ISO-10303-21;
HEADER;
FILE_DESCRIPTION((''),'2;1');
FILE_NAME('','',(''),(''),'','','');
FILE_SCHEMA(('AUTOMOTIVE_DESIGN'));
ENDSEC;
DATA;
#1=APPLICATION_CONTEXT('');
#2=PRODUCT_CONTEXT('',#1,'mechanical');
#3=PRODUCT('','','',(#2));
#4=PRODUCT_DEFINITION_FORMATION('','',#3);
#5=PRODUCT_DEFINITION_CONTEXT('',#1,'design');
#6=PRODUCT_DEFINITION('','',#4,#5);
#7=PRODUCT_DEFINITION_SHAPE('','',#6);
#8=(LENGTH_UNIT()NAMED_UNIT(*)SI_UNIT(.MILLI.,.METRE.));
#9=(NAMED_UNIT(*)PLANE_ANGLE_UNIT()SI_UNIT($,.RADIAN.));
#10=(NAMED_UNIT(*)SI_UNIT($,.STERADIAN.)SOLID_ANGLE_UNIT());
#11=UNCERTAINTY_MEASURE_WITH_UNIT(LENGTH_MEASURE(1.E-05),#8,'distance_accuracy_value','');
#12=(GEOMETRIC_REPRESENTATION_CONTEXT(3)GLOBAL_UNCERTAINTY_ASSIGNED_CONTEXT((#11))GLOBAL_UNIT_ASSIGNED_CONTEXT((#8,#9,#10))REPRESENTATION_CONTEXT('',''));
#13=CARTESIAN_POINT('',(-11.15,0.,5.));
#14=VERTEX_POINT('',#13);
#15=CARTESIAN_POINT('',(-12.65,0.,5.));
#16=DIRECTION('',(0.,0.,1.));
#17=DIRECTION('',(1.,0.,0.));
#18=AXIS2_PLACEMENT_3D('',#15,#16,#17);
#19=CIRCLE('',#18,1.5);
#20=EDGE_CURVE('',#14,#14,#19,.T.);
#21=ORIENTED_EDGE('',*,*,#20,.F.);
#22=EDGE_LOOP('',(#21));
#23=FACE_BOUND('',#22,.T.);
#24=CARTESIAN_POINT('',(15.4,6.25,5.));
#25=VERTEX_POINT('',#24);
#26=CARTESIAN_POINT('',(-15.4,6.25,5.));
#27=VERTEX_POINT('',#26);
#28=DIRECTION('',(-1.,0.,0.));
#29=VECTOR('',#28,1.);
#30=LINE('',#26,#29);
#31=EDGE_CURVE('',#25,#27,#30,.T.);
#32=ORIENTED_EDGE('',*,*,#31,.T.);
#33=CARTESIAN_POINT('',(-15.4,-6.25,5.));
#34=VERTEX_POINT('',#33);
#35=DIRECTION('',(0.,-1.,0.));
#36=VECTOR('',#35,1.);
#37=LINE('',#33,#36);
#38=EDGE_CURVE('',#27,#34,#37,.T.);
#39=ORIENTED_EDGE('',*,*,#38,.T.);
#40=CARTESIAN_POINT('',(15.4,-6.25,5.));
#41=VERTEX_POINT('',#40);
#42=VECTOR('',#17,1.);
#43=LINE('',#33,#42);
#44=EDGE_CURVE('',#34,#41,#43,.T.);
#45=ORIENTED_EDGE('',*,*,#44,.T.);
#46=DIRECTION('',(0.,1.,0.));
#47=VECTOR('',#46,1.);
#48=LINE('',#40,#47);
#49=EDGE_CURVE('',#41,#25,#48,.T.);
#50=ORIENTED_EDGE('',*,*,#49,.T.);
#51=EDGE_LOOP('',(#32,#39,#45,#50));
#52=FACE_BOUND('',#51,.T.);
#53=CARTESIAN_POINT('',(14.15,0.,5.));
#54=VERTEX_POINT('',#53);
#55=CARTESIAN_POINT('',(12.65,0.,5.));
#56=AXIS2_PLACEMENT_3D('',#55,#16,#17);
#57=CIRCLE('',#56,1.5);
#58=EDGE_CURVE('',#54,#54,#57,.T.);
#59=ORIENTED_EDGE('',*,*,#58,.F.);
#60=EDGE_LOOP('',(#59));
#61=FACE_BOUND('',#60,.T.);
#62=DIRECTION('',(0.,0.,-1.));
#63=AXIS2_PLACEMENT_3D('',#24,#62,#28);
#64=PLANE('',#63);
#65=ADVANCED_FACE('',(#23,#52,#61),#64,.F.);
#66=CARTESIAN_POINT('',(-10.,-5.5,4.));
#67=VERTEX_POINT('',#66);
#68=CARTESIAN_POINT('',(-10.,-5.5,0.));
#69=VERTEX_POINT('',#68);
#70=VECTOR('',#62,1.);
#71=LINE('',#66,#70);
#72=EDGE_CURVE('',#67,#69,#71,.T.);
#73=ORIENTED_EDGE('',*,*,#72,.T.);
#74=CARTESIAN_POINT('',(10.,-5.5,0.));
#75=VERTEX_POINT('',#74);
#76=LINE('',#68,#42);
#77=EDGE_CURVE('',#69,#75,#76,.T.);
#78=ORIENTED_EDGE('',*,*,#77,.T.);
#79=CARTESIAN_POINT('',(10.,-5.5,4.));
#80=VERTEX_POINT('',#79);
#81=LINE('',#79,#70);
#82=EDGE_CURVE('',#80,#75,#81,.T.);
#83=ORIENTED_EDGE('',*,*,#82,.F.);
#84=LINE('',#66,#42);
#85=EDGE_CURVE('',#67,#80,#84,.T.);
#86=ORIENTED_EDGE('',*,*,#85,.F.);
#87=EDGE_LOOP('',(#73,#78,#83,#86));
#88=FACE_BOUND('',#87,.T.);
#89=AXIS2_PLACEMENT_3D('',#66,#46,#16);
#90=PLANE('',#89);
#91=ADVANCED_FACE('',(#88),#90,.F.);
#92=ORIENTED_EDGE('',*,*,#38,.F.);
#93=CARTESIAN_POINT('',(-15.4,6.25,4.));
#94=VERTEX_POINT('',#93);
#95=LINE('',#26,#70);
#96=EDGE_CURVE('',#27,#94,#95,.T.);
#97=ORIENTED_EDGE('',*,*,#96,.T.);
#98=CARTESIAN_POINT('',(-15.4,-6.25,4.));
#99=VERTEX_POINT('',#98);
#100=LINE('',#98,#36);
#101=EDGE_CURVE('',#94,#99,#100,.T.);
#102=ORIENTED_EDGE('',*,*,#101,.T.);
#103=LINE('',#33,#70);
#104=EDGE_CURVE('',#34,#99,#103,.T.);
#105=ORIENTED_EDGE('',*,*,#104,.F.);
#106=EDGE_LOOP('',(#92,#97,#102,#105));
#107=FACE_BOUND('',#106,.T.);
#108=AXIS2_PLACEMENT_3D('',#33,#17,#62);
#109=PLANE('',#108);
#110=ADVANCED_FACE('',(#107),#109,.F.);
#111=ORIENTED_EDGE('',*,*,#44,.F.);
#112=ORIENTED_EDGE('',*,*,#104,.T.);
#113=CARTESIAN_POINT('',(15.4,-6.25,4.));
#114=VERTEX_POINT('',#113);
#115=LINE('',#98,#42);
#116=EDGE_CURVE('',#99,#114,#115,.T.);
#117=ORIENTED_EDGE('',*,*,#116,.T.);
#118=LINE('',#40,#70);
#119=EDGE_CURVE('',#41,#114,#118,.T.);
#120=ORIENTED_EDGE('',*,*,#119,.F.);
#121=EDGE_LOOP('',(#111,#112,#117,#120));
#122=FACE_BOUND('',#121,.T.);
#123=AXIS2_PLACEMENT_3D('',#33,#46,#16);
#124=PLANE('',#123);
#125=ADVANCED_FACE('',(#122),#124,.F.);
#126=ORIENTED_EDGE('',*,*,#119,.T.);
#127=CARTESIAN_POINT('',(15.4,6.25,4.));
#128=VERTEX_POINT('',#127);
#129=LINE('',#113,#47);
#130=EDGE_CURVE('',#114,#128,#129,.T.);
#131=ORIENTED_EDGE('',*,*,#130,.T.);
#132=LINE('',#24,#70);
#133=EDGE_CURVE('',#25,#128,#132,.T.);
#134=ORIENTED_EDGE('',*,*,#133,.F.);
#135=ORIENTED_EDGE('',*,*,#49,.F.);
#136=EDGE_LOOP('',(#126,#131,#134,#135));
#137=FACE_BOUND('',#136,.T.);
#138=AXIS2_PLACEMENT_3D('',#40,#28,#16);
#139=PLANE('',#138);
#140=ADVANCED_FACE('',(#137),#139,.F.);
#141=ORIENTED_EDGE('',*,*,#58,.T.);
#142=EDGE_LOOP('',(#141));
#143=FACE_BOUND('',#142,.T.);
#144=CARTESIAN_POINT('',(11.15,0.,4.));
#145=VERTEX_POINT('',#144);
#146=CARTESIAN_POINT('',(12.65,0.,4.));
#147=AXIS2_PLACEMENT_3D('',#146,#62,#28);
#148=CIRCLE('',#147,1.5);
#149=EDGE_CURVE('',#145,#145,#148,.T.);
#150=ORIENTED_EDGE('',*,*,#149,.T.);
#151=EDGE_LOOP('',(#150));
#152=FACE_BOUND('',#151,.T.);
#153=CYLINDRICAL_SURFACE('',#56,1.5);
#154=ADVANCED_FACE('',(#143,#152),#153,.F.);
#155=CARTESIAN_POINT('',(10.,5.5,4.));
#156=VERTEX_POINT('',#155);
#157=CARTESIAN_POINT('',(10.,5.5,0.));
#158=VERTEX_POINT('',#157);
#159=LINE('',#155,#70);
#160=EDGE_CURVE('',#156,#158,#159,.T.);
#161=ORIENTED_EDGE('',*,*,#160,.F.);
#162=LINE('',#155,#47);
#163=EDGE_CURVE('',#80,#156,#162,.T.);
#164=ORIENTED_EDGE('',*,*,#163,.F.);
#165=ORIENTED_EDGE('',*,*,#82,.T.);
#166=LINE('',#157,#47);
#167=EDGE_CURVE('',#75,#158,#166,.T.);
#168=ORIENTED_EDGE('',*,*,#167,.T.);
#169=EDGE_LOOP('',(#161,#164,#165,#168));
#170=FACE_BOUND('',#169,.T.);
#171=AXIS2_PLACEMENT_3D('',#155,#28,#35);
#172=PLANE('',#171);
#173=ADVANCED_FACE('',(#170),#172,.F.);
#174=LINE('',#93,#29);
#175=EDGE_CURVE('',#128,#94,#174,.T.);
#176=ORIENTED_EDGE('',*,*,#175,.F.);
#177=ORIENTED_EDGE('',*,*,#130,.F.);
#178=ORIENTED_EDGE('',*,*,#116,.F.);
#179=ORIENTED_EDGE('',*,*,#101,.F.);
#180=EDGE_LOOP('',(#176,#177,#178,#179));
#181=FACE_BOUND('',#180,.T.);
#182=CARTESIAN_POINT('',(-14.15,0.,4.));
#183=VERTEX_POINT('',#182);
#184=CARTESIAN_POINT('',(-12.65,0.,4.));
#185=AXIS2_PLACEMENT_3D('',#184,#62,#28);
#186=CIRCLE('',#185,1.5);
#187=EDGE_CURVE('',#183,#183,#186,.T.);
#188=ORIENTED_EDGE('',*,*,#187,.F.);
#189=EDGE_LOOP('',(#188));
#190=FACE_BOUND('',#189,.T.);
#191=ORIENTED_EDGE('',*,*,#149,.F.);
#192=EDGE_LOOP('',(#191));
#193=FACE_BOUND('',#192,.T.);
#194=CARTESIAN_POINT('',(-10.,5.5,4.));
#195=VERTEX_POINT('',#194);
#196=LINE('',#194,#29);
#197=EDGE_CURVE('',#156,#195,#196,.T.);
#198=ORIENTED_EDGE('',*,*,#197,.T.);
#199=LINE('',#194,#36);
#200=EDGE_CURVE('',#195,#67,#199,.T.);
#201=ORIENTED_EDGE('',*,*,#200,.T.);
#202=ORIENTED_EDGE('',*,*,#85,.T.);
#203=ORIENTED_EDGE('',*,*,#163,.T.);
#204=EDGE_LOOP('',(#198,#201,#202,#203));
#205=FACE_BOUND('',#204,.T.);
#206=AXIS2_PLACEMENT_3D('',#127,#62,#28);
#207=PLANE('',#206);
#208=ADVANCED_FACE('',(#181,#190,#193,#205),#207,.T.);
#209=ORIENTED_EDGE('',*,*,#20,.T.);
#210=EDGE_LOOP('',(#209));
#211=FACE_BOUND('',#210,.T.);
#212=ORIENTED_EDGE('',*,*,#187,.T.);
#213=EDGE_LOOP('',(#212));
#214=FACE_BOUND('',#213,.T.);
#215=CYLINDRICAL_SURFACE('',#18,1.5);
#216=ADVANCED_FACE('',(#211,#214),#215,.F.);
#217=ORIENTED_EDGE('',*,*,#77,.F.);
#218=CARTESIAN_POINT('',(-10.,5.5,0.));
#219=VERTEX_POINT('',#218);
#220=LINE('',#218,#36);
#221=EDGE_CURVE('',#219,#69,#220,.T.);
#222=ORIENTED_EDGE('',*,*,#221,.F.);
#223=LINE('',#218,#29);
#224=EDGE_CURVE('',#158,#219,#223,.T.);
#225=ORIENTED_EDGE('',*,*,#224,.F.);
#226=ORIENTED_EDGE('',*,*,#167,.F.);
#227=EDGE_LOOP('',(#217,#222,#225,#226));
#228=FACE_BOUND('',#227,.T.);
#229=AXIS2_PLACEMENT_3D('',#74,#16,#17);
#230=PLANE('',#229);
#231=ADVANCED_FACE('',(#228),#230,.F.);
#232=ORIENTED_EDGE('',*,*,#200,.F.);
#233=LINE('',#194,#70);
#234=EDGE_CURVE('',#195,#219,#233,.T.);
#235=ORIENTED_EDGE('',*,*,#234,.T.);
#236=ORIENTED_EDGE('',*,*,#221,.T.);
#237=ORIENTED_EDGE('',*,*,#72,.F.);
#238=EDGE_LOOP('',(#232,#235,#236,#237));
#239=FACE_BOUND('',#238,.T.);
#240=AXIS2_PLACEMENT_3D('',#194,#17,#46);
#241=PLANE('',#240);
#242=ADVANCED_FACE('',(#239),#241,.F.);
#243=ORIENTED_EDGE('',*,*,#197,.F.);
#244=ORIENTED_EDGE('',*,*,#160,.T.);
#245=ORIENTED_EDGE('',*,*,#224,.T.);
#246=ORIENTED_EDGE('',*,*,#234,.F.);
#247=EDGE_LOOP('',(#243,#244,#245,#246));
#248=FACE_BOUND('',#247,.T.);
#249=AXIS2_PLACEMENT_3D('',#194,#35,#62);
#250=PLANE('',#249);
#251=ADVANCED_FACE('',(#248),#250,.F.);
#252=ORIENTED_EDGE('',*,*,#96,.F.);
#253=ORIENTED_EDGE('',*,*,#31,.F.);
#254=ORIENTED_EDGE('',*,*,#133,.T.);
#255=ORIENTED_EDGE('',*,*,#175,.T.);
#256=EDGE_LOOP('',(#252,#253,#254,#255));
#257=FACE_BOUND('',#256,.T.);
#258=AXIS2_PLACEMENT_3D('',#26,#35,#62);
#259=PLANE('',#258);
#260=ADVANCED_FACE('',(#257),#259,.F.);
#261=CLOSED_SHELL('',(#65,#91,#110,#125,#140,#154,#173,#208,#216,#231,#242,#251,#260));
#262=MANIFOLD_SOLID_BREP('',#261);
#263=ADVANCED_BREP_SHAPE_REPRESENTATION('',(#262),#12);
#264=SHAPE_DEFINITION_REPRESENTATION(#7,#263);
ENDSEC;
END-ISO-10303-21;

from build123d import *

# Parameters (mm, degrees)
SKETCH1_W                = 20
SKETCH1_H                = 11
BOSS_EXTRUDE1_DEPTH      = 4
SKETCH2_W                = 30.8
SKETCH2_H                = 12.5
BOSS_EXTRUDE2_DEPTH      = 1
F_3_0_3_DIAMETER_HOLE1_D = 3


with BuildPart() as part:
    # Sketch1 → Boss-Extrude1 (new body)
    with BuildSketch(Plane.XY):
        Rectangle(SKETCH1_W, SKETCH1_H)
    extrude(amount=BOSS_EXTRUDE1_DEPTH)

    # Sketch2 → Boss-Extrude2 (add)
    with BuildSketch(Plane.XY.offset(4)):
        Rectangle(SKETCH2_W, SKETCH2_H)
    extrude(amount=BOSS_EXTRUDE2_DEPTH)

    # Ø3.0 (3) Diameter Hole1 (through all)
    with Locations(Plane.XY.offset(5)):
        with Locations((-12.65, 0), (12.65, 0)):
            Hole(F_3_0_3_DIAMETER_HOLE1_D / 2)


solid = part.part
